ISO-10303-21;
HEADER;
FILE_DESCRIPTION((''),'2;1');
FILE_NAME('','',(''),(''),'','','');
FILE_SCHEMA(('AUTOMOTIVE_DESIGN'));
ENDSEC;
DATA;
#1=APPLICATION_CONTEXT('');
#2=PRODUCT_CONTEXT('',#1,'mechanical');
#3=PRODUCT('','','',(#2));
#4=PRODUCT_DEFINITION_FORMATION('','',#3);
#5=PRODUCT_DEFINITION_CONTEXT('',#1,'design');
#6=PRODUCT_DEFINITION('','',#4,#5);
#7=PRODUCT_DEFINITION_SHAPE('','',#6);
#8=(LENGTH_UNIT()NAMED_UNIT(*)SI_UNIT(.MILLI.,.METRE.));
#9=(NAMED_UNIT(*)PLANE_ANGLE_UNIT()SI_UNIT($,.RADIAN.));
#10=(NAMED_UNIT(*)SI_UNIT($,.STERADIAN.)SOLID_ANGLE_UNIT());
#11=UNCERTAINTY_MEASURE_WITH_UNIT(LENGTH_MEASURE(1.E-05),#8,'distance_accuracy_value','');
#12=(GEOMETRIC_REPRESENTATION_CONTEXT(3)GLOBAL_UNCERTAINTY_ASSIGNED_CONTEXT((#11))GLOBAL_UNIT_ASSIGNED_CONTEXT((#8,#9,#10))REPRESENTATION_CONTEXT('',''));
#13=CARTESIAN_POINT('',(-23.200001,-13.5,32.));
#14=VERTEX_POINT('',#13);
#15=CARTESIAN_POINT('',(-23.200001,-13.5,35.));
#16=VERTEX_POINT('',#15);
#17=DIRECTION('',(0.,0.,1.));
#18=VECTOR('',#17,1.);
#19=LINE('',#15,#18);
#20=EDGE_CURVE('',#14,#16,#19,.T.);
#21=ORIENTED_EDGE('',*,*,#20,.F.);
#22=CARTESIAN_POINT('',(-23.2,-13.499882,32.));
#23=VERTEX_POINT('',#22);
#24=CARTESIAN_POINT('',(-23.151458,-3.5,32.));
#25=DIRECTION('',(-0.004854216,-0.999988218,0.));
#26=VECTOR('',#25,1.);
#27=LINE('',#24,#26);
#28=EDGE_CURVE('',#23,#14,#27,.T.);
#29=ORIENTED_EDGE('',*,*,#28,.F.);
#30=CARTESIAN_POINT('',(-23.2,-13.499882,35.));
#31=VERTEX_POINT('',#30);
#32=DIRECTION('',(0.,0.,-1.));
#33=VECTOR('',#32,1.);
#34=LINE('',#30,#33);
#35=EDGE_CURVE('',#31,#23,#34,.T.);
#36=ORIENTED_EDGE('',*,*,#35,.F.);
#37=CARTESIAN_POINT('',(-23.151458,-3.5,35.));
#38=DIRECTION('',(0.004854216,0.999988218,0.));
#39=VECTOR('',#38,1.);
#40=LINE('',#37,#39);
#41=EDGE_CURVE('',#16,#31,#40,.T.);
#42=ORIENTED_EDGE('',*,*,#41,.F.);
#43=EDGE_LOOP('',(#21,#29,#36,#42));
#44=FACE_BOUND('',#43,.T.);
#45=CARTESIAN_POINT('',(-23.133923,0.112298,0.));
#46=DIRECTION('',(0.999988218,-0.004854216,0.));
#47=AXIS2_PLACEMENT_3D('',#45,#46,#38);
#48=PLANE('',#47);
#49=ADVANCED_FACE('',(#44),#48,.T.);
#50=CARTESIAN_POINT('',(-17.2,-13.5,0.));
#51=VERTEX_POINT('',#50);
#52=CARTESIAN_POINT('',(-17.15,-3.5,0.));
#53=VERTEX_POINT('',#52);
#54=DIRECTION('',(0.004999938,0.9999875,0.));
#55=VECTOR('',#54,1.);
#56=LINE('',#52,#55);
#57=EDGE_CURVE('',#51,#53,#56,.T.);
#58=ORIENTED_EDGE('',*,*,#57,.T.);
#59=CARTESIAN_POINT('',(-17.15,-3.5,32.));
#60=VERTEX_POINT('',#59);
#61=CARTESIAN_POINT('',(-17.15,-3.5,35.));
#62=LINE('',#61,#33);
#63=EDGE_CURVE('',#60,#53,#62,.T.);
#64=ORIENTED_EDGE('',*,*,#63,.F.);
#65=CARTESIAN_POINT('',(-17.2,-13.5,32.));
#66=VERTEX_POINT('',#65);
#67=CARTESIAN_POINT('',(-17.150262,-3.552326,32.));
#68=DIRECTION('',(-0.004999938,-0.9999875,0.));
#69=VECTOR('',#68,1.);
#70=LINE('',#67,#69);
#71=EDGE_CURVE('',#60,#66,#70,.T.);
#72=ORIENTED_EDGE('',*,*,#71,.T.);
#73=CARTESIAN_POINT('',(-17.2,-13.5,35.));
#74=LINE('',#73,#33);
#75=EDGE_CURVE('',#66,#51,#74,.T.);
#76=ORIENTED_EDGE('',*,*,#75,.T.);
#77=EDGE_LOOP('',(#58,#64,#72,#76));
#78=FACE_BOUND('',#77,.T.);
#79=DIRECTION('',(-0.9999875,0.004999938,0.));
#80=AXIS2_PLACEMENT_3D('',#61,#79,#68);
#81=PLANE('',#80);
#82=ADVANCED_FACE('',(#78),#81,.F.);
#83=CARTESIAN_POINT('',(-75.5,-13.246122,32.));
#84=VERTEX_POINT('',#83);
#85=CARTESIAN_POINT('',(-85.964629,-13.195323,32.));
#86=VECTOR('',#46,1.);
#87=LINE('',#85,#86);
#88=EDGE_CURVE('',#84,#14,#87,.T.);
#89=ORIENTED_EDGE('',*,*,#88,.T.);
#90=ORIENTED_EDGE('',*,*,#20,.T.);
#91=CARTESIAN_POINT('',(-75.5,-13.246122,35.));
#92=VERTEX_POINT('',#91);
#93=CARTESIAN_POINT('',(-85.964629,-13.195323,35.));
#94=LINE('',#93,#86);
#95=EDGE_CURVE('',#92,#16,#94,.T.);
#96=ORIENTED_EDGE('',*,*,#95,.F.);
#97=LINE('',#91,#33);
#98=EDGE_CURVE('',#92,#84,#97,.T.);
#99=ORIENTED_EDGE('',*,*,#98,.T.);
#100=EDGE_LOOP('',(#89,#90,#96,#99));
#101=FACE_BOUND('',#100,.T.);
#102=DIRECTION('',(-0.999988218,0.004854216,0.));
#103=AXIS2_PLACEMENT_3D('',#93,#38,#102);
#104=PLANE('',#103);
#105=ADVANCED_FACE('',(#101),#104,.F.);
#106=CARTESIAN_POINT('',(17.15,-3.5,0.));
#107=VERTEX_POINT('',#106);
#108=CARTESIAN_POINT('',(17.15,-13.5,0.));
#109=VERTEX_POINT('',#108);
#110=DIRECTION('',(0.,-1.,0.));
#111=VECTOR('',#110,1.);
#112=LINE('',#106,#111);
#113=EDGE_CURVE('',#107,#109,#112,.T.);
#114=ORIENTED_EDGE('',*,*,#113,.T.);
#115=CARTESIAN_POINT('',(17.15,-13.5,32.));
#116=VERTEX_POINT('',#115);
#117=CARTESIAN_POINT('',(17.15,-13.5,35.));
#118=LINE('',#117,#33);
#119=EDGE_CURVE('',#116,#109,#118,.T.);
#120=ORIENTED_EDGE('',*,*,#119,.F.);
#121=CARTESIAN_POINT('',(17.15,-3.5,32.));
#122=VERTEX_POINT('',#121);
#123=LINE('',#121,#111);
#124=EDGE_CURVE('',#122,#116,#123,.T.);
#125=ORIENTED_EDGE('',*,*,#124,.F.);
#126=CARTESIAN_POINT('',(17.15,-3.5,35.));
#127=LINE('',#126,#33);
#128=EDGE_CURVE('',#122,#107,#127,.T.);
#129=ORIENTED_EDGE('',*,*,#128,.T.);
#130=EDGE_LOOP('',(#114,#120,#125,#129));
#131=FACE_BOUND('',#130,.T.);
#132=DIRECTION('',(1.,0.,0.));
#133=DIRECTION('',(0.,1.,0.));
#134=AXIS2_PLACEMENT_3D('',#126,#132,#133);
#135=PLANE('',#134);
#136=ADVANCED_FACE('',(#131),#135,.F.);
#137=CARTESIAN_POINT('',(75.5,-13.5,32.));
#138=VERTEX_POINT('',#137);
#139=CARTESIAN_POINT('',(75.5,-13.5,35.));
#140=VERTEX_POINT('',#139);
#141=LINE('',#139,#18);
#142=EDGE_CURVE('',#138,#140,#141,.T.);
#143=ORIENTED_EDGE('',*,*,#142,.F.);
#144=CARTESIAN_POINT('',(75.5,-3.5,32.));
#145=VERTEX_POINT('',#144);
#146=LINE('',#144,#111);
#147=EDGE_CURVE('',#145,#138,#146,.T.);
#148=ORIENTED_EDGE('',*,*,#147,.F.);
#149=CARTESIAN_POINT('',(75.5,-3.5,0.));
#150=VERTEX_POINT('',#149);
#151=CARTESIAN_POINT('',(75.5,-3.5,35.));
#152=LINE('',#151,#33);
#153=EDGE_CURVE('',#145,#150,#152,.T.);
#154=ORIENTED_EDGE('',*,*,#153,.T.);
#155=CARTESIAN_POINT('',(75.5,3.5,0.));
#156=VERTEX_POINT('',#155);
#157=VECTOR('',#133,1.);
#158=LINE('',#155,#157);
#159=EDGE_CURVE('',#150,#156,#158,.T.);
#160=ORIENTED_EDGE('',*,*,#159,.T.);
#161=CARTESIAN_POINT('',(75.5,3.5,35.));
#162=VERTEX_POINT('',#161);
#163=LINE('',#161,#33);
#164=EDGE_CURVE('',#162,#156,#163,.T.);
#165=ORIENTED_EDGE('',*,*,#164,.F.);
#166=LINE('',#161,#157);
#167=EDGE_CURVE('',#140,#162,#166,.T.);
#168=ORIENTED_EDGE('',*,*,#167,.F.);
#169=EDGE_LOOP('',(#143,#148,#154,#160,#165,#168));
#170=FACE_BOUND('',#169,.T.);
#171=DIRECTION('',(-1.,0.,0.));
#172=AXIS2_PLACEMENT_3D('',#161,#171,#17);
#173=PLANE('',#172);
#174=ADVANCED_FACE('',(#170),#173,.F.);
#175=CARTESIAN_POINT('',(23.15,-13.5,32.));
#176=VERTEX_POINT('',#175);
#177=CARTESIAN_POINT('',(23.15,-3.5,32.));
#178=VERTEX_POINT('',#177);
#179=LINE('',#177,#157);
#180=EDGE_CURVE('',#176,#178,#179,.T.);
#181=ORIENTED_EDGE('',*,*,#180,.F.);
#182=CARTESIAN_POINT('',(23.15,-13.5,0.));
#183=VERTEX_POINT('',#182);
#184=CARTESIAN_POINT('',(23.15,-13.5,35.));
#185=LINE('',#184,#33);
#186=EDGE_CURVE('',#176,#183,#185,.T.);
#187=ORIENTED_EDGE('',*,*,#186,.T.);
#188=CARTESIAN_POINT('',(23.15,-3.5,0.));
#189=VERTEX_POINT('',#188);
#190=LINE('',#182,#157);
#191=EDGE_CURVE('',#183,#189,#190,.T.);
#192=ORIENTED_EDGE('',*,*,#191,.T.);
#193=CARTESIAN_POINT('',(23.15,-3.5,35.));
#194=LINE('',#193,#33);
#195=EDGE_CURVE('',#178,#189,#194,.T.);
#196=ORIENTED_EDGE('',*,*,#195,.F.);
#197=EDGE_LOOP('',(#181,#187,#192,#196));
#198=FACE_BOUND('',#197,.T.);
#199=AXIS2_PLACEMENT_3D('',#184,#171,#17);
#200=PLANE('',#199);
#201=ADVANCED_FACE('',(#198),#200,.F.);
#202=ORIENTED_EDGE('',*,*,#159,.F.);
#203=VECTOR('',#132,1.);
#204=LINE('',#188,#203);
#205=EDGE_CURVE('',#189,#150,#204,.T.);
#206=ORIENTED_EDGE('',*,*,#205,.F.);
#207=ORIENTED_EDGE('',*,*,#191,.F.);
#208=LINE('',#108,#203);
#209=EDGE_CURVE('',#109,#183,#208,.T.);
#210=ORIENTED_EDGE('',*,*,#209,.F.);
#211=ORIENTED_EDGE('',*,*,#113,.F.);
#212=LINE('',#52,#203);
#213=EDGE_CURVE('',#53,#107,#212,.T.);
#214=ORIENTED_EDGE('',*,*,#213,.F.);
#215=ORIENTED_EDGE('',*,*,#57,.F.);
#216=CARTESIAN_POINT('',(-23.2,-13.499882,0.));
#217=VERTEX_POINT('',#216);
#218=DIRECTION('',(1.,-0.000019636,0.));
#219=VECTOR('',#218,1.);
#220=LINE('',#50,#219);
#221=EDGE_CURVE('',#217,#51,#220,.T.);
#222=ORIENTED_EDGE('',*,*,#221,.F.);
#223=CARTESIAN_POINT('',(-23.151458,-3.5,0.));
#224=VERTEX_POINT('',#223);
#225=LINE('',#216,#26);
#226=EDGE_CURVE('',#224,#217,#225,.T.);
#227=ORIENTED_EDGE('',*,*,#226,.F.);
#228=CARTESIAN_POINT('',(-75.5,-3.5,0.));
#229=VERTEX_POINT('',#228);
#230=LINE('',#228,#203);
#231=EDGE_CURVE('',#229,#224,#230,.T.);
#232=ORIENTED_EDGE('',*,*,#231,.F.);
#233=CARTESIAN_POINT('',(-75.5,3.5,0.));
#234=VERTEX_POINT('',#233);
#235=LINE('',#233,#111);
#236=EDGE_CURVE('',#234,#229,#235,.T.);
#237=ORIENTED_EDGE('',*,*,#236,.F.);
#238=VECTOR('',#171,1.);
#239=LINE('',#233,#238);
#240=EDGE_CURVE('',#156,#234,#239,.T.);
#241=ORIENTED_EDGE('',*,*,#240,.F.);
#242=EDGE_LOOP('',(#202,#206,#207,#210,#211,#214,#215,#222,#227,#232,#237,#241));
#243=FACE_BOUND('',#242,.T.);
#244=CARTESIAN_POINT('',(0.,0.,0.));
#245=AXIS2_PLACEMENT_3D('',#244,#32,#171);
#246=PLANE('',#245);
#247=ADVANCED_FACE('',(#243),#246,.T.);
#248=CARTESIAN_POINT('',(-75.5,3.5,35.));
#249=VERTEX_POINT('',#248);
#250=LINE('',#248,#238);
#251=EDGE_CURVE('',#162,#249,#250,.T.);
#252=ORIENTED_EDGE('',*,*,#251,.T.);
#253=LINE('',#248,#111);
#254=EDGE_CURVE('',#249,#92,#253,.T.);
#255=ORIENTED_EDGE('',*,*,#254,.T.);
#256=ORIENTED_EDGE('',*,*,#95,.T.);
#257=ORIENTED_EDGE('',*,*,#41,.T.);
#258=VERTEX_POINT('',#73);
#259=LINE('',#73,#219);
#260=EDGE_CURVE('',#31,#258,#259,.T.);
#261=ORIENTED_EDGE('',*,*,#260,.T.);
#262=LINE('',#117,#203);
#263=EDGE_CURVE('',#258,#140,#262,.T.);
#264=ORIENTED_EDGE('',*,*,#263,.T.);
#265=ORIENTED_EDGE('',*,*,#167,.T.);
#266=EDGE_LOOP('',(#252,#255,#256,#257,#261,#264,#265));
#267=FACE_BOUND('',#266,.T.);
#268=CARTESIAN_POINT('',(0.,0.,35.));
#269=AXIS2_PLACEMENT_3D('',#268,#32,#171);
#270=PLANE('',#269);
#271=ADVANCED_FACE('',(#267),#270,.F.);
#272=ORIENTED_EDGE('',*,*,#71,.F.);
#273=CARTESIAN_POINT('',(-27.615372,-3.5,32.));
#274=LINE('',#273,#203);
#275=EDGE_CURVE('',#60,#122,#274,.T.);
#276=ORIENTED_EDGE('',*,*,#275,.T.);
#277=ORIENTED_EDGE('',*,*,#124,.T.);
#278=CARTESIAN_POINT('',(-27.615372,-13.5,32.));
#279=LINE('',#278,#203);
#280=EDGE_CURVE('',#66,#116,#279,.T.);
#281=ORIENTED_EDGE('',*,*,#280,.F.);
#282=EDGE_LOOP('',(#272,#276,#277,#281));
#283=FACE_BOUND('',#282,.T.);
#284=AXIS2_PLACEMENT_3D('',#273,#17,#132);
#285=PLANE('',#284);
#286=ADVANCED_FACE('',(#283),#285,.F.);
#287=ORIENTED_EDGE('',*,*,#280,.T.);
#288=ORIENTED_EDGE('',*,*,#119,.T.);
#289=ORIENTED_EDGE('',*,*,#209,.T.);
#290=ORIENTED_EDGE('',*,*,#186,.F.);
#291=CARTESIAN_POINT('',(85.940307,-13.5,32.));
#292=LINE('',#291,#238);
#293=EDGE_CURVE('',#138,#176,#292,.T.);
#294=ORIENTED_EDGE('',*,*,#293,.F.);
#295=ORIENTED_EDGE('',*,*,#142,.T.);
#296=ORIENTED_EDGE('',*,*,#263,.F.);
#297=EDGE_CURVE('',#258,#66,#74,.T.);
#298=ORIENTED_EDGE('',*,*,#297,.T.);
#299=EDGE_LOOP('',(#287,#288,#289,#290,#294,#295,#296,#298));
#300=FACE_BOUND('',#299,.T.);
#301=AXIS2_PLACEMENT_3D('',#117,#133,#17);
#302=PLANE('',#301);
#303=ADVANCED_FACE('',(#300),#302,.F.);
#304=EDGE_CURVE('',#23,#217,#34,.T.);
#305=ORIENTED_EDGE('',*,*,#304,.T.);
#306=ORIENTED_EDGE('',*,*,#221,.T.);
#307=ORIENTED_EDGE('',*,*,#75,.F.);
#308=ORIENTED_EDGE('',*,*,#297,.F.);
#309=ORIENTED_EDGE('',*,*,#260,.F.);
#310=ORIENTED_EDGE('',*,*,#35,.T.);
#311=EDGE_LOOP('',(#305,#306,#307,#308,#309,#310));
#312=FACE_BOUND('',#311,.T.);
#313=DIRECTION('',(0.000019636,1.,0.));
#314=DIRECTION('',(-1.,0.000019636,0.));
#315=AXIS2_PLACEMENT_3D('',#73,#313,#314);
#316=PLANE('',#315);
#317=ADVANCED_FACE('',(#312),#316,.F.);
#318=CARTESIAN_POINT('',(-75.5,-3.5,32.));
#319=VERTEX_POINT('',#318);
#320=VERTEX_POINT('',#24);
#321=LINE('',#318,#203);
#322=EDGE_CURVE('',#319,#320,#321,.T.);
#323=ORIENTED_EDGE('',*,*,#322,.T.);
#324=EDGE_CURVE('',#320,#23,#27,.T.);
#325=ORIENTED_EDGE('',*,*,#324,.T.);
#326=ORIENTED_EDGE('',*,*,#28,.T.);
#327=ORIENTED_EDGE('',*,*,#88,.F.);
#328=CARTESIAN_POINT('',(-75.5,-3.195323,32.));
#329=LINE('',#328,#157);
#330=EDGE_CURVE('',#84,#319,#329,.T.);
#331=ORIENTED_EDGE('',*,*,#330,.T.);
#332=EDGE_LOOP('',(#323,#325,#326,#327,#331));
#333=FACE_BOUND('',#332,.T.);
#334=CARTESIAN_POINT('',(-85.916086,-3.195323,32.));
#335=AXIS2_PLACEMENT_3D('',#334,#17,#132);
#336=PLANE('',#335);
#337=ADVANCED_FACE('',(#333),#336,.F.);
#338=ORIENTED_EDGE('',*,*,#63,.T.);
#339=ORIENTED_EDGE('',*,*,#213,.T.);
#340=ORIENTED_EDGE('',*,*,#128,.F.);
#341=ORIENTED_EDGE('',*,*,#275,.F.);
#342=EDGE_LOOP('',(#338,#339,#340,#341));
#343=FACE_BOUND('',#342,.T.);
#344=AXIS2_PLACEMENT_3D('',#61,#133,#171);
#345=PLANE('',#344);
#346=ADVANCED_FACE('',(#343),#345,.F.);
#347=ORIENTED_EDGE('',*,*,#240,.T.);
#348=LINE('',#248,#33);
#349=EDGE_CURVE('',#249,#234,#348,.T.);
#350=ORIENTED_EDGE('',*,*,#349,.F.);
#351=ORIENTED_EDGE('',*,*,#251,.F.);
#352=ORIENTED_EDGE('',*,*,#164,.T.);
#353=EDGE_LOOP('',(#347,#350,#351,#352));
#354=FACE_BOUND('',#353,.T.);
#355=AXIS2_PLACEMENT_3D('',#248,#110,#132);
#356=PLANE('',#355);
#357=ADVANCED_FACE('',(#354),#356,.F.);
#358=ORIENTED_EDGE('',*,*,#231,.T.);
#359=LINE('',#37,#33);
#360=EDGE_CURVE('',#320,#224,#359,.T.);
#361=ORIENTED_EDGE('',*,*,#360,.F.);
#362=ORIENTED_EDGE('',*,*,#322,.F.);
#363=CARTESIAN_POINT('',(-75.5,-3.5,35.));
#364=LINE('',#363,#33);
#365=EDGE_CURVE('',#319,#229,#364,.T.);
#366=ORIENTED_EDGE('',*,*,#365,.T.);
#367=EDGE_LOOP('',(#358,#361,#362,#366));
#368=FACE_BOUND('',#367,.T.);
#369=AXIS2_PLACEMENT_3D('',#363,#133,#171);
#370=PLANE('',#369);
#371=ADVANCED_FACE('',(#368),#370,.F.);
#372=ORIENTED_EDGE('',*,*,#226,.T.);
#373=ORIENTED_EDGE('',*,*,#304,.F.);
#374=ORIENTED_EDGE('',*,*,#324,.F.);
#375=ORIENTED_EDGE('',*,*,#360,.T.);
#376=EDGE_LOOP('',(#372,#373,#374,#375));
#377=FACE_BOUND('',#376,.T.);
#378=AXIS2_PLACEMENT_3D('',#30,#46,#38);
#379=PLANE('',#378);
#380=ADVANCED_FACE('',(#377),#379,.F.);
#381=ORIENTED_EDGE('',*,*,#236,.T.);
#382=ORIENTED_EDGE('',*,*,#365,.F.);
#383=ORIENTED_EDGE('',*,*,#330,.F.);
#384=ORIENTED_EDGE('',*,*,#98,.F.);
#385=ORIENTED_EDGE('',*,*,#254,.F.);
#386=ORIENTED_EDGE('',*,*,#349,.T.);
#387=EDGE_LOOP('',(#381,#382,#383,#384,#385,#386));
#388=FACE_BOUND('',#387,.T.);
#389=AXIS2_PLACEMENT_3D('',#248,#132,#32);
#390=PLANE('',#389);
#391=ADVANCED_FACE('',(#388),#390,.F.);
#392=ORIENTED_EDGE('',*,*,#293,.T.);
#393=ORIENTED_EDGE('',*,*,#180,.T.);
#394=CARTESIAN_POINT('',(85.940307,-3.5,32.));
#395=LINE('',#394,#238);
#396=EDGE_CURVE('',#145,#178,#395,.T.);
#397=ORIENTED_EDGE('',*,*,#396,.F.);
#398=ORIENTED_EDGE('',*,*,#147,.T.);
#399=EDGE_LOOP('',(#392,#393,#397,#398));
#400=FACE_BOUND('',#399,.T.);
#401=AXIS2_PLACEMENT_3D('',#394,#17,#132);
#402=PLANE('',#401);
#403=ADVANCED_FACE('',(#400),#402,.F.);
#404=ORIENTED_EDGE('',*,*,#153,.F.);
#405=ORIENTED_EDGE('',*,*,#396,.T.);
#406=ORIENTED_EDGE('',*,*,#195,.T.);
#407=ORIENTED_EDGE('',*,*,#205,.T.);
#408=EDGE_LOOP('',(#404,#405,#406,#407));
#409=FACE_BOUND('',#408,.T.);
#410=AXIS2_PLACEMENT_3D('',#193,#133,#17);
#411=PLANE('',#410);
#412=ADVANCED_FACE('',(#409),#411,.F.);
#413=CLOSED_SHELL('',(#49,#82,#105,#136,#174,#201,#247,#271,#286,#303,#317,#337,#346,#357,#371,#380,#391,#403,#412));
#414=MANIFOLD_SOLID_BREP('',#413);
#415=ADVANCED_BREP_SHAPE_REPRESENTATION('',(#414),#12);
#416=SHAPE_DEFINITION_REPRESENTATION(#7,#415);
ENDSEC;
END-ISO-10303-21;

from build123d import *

# Parameters (mm, degrees)
BOSS_EXTRUDE1_DEPTH = 35
BOSS_EXTRUDE2_REACH = 94.65
SKETCH5_W           = 3
SKETCH5_H           = 10
BOSS_EXTRUDE3_REACH = 54.382
SKETCH6_W           = 3
SKETCH6_H           = 10.000117819
SKETCH7_W           = 3
SKETCH7_H           = 10
BOSS_EXTRUDE4_DEPTH = 52.35


with BuildPart() as part:
    # Sketch1 → Boss-Extrude1 (new body)
    with BuildSketch(Plane.XY):
        Polygon((-75.5, 3.5), (75.5, 3.5), (75.5, -3.5), (23.15, -3.5), (23.15, -13.5), (17.15, -13.5), (17.15, -3.5), (-17.15, -3.5), (-17.2, -13.5), (-23.199999999, -13.499882182), (-23.151457837, -3.5), (-75.5, -3.5), align=None)
    extrude(amount=BOSS_EXTRUDE1_DEPTH)

    # Boss-Extrude2: up to this face of the body (flat: up to its plane)
    boss_extrude2_end = Plane(part.part.faces().sort_by_distance((-17.175, -8.5, 17.5))[0])
    # Sketch5 → Boss-Extrude2 (add, up to the picked face)
    with BuildSketch(Plane.ZY.offset(-17.15), mode=Mode.PRIVATE) as boss_extrude2_sk1:
        with Locations((33.5, -8.5)):
            Rectangle(SKETCH5_W, SKETCH5_H)
    boss_extrude2_tool1 = split(extrude(boss_extrude2_sk1.sketch, amount=BOSS_EXTRUDE2_REACH, mode=Mode.PRIVATE), bisect_by=boss_extrude2_end, keep=Keep.BOTH, mode=Mode.PRIVATE)
    add(boss_extrude2_tool1.solids().sort_by_distance((17.15, -8.5, 33.5))[0])

    # Boss-Extrude3: up to this face of the body (flat: up to its plane)
    boss_extrude3_end = Plane(part.part.faces().sort_by_distance((-75.5, 0, 17.5))[0])
    # Sketch6 → Boss-Extrude3 (add, up to the picked face)
    with BuildSketch(Plane(origin=(-23.133922754, 0.112298384, 0), x_dir=(0, 0, 1), z_dir=(-0.999988218, 0.004854216, 0)), mode=Mode.PRIVATE) as boss_extrude3_sk1:
        with Locations((33.5, -8.612399854)):
            Rectangle(SKETCH6_W, SKETCH6_H)
    boss_extrude3_tool1 = split(extrude(boss_extrude3_sk1.sketch, amount=BOSS_EXTRUDE3_REACH, mode=Mode.PRIVATE), bisect_by=boss_extrude3_end, keep=Keep.BOTH, mode=Mode.PRIVATE)
    add(boss_extrude3_tool1.solids().sort_by_distance((-23.175729, -8.5, 33.5))[0])

    # Sketch7 → Boss-Extrude4 (add)
    with BuildSketch(Plane(origin=(23.15, 0, 0), x_dir=(0, 0, -1), z_dir=(1, 0, 0))):
        with Locations((-33.5, -8.5)):
            Rectangle(SKETCH7_W, SKETCH7_H)
    extrude(amount=BOSS_EXTRUDE4_DEPTH)


solid = part.part
